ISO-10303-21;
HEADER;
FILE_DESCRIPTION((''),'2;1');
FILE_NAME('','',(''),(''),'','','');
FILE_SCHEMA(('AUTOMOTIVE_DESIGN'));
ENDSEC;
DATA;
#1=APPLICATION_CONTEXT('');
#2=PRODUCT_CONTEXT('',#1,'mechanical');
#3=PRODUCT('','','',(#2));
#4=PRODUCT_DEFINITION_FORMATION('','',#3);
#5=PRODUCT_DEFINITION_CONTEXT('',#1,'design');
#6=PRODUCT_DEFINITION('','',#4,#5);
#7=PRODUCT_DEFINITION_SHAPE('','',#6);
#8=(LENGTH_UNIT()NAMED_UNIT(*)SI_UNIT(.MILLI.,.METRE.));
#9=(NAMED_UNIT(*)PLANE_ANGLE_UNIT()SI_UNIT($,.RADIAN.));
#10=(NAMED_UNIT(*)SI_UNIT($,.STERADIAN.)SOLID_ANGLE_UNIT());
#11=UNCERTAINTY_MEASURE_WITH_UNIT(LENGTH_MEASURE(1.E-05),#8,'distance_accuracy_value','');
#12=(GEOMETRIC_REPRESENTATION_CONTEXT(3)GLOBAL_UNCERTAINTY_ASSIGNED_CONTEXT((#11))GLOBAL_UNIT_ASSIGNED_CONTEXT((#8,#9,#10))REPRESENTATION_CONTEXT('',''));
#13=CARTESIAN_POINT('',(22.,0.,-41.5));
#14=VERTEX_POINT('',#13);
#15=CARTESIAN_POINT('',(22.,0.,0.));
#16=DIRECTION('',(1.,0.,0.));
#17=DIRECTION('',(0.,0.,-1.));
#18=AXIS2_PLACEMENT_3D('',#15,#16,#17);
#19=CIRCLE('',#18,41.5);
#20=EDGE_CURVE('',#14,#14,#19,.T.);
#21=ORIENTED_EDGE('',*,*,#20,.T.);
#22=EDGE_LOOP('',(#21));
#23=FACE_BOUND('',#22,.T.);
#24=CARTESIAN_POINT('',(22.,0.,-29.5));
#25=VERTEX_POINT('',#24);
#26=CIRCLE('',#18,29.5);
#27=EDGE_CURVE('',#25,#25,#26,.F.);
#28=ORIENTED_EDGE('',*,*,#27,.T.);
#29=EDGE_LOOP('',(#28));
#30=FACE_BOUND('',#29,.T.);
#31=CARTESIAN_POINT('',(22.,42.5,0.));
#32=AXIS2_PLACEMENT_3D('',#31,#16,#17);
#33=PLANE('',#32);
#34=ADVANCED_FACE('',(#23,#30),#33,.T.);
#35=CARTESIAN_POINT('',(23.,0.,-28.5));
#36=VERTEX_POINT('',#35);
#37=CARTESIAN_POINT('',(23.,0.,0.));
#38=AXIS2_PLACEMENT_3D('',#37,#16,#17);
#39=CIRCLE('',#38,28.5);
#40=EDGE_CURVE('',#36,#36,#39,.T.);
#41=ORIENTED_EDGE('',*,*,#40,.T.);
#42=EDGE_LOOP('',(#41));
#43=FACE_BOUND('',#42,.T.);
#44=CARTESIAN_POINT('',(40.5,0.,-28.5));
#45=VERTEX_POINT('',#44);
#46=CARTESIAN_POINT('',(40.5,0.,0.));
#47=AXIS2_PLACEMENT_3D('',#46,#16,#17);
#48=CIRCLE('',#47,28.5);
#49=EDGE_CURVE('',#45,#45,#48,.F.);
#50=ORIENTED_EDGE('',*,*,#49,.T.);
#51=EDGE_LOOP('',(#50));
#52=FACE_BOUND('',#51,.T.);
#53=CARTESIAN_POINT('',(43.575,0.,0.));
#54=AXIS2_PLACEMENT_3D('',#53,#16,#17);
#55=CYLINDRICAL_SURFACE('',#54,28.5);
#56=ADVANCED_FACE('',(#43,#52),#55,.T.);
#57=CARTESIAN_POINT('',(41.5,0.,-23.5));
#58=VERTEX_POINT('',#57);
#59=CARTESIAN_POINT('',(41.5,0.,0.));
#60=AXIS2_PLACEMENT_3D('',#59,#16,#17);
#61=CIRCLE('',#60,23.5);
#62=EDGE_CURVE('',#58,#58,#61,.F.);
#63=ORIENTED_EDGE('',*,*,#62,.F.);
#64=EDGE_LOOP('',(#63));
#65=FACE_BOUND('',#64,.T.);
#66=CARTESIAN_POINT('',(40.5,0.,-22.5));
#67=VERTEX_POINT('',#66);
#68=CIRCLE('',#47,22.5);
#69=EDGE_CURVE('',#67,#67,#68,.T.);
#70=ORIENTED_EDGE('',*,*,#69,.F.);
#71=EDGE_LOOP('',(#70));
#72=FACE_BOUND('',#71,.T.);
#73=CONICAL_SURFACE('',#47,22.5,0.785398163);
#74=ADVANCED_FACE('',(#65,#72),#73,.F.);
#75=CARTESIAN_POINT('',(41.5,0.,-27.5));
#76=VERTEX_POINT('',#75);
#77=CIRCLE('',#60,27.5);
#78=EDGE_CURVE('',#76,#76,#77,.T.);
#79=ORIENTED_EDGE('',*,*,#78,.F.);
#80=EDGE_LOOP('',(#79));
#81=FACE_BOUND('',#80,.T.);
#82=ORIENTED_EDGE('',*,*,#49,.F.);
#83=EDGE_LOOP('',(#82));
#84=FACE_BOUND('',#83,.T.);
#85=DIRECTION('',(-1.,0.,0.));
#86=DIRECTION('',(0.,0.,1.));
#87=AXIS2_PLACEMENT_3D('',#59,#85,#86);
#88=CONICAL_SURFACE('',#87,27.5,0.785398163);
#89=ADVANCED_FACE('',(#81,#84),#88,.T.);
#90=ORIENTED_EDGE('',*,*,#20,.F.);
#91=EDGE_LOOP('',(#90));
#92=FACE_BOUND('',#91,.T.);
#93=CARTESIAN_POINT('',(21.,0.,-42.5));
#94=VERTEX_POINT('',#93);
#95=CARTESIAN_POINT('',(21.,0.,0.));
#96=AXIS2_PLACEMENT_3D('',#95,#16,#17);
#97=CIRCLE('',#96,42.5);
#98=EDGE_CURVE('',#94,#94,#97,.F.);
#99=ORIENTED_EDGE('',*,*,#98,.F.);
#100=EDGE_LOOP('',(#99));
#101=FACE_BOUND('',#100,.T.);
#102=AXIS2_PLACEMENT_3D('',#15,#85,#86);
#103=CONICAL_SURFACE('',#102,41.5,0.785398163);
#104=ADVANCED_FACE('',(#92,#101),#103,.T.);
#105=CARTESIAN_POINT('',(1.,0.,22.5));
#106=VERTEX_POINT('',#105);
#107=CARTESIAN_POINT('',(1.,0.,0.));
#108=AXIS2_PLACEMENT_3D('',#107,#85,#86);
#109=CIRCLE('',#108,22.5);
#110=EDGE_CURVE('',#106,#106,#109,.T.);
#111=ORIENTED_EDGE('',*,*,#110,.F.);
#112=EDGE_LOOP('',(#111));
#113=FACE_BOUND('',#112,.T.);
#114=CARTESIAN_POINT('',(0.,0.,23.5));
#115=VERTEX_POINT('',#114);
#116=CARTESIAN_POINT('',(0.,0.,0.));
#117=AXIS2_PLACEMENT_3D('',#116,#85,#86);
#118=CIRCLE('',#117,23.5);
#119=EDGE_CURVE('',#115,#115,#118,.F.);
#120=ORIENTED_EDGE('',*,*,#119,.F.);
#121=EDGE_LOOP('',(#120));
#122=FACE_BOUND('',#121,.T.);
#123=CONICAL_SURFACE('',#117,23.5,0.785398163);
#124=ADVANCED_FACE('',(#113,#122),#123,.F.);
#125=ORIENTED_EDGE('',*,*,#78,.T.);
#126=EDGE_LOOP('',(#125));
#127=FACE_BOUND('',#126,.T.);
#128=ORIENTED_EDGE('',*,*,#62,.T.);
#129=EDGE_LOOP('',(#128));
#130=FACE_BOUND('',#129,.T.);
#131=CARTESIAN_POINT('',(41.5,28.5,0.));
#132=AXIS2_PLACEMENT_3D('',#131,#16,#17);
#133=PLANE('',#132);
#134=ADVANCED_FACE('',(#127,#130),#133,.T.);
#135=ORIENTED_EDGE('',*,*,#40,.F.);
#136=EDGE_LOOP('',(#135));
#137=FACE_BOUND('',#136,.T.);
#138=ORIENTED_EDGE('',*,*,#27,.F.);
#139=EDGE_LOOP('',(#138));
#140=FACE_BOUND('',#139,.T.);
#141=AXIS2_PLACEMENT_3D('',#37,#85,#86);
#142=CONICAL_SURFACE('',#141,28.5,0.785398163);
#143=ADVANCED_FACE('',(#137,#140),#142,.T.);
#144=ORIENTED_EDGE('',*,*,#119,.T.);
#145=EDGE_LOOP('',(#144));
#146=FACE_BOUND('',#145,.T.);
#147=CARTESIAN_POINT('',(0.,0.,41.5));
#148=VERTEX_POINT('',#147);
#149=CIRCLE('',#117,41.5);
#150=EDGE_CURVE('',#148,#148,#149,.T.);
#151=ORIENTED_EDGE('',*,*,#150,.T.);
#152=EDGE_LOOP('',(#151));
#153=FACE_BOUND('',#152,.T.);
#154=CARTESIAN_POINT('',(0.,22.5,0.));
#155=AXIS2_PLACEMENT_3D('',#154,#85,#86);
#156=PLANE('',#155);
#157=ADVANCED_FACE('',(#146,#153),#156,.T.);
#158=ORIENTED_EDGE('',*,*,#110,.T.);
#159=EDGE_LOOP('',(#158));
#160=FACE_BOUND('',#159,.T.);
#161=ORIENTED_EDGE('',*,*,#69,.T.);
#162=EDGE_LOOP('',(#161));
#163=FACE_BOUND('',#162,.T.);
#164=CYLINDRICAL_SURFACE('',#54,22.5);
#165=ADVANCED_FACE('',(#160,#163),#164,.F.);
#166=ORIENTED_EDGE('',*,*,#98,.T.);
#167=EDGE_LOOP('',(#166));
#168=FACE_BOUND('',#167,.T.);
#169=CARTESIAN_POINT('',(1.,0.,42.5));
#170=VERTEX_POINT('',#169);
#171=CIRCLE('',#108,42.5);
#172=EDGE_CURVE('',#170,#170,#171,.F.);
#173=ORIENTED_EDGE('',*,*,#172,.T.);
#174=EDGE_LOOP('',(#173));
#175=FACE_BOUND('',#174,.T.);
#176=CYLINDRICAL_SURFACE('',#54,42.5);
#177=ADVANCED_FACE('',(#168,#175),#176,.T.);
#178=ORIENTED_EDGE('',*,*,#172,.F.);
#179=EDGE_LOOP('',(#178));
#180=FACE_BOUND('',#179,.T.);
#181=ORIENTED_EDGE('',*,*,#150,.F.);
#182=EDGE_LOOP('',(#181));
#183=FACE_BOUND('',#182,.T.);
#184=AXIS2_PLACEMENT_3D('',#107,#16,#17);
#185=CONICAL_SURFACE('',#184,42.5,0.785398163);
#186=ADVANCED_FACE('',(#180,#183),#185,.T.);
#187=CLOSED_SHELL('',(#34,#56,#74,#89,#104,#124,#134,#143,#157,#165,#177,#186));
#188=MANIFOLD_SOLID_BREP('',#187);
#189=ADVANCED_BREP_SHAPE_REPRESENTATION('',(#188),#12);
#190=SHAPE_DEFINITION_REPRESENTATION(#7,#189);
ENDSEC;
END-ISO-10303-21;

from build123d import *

# Parameters (mm, degrees)
CHAMFER1_SIZE = 1


with BuildPart() as part:
    # Sketch1 → Revolve1 (revolve)
    with BuildSketch(Plane.XY):
        Polygon((0, 22.5), (0, 42.5), (22, 42.5), (22, 28.5), (41.5, 28.5), (41.5, 22.5), align=None)
    revolve(axis=Axis((43.575, 0, 0), (-1, 0, 0)))

    # Chamfer1
    chamfer1_edges = [part.edges().sort_by_distance(p)[0] for p in [
        (0, -42.5, 0),
        (0, -22.5, 0),
        (41.5, -22.5, 0),
        (41.5, -28.5, 0),
        (22, -28.5, 0),
        (22, -42.5, 0),
    ]]
    chamfer(chamfer1_edges, length=CHAMFER1_SIZE)


solid = part.part
